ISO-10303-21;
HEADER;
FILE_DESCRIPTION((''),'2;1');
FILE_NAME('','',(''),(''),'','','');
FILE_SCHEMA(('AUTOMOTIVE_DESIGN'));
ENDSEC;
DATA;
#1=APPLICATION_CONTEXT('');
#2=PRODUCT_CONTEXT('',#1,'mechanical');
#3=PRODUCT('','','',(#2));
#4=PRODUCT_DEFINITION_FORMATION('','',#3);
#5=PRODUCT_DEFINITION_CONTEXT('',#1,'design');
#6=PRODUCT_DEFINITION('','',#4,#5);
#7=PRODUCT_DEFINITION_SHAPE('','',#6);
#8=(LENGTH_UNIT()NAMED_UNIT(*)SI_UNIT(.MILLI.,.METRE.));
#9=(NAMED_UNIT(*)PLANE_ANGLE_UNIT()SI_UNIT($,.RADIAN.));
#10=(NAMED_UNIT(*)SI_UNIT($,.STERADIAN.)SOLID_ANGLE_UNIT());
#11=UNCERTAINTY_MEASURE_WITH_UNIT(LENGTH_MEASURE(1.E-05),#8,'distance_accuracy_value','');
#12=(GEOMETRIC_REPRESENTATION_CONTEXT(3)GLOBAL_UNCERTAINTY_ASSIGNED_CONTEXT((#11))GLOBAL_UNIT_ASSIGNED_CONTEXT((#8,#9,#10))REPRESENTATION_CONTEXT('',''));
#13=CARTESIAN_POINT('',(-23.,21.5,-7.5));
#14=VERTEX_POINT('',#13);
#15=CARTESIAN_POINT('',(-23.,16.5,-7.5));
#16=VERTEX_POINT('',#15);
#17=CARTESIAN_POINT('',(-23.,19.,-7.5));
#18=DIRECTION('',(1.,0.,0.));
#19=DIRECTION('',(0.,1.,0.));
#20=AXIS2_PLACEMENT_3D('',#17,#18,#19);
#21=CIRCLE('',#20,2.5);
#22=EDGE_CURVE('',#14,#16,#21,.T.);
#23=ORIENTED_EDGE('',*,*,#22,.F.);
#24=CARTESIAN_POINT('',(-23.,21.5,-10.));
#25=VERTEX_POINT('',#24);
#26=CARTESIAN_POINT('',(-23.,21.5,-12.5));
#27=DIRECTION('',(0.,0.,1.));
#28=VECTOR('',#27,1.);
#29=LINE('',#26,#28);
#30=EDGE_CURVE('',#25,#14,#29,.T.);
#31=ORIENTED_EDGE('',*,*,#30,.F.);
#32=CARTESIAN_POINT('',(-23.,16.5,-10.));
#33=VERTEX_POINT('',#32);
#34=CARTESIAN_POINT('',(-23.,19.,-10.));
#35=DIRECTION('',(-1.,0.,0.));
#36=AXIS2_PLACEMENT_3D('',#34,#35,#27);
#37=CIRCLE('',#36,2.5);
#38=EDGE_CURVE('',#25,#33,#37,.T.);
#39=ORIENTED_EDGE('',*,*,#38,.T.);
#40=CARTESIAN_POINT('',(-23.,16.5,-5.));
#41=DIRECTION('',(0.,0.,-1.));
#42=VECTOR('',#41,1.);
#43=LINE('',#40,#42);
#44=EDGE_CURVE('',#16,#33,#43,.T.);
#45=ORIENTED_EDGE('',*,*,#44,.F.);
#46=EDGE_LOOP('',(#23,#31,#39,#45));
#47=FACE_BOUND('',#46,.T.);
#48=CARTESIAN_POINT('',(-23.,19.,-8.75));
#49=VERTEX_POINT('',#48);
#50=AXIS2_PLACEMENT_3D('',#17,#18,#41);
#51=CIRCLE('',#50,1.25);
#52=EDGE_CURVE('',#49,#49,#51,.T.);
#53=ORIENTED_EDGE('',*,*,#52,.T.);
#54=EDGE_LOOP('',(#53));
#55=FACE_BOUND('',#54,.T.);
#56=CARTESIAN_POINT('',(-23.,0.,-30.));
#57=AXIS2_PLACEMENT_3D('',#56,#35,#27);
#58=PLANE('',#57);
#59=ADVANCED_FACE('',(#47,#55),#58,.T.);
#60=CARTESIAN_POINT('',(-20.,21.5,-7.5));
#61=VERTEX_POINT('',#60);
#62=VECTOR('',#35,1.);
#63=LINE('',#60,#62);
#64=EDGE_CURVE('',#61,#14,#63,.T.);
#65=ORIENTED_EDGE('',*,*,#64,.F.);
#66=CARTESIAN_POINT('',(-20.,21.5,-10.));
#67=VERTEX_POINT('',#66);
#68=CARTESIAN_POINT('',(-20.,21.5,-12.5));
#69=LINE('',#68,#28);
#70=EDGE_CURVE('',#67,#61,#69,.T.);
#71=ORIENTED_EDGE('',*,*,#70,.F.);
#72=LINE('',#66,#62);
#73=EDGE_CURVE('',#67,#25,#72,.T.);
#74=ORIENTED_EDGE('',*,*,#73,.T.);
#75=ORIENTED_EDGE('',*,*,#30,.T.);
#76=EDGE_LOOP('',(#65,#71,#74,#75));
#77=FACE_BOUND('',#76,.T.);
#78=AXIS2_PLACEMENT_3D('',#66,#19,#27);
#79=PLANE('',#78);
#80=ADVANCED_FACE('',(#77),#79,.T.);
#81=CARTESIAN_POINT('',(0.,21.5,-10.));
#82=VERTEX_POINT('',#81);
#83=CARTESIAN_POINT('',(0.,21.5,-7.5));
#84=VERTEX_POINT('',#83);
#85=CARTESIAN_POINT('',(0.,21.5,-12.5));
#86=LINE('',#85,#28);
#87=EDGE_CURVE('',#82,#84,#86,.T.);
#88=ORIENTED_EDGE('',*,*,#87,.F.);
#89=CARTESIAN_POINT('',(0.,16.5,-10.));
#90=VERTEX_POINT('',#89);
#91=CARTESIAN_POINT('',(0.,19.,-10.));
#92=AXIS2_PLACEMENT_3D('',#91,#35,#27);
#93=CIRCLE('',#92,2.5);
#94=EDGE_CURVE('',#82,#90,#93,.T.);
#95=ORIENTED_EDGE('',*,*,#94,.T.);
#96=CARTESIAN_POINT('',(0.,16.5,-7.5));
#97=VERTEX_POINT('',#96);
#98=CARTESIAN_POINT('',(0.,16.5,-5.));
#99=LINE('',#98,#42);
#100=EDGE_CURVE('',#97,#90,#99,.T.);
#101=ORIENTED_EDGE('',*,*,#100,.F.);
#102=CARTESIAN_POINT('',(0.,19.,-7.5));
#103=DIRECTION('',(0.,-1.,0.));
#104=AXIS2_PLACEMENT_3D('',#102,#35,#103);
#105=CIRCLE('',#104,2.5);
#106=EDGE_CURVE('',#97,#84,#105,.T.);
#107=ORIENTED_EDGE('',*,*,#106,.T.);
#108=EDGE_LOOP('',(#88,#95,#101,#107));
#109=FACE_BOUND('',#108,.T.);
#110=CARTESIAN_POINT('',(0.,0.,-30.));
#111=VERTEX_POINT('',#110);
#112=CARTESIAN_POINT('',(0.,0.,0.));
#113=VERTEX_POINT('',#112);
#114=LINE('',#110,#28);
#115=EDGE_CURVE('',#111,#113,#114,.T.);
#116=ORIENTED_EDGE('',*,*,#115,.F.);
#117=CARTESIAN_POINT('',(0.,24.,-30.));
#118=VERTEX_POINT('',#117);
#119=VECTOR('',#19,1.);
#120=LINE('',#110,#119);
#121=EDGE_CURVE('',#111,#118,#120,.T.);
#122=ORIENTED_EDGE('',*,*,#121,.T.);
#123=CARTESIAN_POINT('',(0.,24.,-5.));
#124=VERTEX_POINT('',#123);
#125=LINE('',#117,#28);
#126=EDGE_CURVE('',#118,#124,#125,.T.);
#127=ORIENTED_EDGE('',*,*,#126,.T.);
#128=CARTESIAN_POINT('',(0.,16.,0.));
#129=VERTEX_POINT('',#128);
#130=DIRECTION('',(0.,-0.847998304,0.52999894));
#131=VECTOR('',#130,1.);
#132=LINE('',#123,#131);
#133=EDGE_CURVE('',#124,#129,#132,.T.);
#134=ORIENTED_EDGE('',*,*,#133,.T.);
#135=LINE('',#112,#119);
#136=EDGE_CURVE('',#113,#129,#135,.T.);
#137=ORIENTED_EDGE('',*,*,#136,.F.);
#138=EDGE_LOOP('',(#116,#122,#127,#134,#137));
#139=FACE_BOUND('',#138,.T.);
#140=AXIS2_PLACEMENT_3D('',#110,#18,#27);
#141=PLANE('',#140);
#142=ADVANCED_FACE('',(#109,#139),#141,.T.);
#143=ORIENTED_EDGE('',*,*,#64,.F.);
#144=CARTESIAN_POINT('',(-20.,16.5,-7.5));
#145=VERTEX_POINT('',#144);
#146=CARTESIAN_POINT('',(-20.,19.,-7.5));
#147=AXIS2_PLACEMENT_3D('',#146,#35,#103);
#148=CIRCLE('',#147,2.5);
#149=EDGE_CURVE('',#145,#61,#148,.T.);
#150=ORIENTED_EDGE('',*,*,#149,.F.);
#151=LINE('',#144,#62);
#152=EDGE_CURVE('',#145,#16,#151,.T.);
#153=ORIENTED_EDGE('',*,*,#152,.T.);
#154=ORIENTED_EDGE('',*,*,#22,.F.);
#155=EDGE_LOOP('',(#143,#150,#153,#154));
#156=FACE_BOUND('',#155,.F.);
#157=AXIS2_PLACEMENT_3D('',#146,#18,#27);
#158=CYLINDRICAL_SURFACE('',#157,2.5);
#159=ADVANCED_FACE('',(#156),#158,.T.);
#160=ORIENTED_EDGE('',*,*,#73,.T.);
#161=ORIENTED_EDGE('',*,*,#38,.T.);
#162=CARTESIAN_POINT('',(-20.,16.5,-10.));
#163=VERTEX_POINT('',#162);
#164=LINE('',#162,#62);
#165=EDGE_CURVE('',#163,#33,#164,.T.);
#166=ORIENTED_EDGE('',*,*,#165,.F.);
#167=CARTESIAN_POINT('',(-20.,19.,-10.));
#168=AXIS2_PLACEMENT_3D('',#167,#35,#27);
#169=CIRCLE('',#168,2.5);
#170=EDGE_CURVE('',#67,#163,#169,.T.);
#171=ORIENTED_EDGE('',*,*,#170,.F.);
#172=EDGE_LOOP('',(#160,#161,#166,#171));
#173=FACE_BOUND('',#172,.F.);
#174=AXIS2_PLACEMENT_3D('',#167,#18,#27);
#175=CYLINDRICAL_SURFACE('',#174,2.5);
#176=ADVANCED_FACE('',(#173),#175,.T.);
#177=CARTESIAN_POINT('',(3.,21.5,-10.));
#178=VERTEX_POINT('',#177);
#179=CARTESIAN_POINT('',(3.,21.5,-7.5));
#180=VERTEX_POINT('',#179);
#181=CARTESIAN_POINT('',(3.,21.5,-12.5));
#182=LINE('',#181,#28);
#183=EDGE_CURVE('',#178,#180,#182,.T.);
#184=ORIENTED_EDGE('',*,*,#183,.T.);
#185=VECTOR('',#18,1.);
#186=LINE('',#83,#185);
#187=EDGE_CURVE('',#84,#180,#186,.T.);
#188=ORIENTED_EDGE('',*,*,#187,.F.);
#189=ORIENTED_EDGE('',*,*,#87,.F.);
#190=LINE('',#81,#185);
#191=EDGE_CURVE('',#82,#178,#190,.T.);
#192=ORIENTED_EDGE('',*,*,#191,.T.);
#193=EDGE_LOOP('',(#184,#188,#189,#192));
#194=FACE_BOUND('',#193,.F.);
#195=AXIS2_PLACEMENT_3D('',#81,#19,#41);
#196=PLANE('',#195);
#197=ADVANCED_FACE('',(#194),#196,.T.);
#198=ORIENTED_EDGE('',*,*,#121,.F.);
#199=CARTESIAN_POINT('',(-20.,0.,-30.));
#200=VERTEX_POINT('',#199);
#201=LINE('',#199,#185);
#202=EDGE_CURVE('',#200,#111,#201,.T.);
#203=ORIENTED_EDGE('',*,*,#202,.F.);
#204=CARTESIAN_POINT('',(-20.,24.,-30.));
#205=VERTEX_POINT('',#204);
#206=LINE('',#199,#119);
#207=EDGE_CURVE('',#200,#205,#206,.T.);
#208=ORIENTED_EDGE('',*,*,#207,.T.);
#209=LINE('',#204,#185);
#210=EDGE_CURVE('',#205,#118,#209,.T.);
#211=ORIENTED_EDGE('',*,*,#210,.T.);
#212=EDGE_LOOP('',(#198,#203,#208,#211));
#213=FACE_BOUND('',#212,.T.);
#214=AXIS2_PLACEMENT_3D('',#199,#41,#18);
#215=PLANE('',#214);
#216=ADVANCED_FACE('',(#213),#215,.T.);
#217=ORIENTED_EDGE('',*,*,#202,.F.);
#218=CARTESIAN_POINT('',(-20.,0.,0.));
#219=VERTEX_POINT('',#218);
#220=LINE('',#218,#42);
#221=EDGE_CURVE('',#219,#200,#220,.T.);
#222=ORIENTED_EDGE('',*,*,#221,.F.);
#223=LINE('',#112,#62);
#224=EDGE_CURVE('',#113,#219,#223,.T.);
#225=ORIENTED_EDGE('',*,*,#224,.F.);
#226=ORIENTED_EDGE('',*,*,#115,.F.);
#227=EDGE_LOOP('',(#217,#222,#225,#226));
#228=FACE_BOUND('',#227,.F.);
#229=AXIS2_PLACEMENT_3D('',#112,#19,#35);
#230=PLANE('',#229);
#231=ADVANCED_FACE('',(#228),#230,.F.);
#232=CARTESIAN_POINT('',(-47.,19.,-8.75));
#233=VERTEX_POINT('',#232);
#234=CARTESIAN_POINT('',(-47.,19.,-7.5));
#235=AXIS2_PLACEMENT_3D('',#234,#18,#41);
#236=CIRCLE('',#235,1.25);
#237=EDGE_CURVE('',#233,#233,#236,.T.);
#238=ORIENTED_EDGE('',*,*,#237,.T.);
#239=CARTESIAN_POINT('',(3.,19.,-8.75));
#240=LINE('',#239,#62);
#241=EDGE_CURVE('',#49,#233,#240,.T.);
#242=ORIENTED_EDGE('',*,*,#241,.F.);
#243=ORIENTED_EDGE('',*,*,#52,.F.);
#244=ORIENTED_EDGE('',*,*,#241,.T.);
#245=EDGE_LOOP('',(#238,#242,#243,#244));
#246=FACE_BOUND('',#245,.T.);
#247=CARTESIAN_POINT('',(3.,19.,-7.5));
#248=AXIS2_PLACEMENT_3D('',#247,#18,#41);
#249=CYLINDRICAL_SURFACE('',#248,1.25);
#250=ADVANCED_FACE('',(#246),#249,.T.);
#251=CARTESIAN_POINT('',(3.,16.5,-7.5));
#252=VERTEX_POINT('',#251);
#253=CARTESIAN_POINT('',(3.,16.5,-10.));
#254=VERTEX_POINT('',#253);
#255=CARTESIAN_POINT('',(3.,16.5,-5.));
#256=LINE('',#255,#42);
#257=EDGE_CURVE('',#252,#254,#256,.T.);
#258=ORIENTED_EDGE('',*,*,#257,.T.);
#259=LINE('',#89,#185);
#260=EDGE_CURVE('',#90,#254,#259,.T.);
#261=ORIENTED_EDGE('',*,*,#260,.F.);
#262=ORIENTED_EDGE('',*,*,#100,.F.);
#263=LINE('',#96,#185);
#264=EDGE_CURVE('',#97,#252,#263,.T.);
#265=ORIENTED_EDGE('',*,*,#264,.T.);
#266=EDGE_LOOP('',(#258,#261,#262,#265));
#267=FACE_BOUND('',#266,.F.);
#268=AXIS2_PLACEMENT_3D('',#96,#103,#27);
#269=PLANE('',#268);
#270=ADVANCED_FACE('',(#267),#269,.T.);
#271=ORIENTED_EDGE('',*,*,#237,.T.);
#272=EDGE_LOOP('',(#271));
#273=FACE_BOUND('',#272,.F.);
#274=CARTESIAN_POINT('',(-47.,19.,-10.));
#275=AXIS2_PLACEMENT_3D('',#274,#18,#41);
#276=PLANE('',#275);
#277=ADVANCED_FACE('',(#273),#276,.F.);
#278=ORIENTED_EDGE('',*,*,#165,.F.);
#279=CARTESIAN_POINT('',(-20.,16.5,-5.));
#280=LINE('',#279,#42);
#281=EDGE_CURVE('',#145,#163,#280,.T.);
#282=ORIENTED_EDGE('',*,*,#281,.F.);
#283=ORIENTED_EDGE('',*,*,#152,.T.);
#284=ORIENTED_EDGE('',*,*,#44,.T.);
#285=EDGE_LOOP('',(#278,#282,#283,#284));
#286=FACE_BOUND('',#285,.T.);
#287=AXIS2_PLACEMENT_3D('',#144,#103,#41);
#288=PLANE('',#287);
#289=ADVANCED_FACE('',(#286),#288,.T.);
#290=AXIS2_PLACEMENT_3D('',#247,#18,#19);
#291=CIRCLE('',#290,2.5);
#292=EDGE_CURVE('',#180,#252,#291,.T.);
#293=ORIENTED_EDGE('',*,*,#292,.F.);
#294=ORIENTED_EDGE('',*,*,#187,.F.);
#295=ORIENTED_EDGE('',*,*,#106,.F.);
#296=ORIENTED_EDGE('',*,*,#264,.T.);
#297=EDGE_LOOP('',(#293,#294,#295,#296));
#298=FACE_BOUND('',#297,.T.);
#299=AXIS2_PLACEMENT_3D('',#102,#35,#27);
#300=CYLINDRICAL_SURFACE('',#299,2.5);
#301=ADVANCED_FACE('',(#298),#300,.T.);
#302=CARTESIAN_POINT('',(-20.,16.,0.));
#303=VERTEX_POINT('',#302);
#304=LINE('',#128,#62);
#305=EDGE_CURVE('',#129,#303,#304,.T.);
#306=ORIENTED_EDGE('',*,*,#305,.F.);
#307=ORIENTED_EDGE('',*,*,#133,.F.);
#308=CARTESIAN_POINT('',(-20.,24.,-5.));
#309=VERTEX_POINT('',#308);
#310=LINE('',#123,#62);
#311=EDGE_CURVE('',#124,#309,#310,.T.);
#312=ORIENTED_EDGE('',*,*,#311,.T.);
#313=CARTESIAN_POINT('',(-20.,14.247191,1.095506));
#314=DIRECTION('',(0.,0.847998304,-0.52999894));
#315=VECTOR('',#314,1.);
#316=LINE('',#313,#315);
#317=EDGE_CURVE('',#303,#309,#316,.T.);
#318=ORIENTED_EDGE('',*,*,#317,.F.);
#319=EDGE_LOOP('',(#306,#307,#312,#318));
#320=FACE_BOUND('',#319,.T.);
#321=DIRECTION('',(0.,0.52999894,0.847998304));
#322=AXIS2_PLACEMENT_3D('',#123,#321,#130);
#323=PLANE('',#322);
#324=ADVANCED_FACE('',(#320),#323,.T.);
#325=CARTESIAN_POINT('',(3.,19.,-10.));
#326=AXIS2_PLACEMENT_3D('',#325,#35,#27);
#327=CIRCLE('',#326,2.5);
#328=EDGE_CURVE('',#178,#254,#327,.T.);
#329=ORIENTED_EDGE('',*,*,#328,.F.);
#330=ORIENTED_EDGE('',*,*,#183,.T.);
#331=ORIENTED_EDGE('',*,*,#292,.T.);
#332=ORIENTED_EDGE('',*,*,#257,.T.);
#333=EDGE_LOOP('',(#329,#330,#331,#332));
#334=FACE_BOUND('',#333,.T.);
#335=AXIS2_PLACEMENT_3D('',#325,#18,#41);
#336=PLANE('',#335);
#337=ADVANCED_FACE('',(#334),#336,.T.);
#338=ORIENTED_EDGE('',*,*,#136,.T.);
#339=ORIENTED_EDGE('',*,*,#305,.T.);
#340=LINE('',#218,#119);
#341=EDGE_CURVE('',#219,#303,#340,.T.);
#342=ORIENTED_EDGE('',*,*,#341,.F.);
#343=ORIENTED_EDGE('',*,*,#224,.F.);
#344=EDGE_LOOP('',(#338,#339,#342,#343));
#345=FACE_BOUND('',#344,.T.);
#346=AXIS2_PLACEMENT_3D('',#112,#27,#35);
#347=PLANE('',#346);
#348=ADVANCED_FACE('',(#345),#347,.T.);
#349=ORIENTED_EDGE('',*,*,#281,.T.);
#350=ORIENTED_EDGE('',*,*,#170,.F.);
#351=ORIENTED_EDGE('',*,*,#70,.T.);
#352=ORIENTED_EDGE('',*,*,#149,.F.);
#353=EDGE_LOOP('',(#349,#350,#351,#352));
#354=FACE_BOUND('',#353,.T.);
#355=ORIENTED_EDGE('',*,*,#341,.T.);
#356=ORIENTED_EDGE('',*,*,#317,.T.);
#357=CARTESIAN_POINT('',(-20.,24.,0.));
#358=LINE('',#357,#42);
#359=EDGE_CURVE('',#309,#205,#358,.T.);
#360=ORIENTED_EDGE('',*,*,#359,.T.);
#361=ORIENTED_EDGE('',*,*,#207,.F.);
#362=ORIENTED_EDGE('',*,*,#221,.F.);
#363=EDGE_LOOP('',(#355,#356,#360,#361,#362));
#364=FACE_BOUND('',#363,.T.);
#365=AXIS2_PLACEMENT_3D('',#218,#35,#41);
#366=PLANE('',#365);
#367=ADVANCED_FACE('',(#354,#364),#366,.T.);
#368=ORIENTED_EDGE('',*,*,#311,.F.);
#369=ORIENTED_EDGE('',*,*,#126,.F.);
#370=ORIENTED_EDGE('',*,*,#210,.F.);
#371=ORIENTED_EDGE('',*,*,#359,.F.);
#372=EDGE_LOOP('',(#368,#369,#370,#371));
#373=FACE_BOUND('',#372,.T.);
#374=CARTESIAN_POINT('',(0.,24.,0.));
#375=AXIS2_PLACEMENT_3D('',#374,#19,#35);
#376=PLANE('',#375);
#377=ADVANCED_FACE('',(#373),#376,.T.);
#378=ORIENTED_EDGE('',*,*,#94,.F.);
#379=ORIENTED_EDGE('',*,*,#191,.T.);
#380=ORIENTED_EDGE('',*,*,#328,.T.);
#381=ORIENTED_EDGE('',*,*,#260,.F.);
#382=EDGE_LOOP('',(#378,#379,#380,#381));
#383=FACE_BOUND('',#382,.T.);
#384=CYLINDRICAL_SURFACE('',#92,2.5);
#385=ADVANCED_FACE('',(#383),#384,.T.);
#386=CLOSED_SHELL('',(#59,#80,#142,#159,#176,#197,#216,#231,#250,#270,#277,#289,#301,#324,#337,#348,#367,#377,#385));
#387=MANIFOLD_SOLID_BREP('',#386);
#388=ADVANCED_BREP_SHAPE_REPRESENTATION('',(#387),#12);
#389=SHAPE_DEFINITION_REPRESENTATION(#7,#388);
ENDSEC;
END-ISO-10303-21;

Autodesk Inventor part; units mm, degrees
ref_plane "YZ Plane" through (0, 0, 0) normal (1, 0, 0) x (0, 1, 0)
ref_plane "XZ Plane" through (0, 0, 0) normal (0, 1, 0) x (-1, 0, 0)
sketch "スケッチ1" plane through (0, 0, 0) normal (0, 1, 0) x (-1, 0, 0)
  line L0 (0, 0) -> (20, 0)
  line L1 (20, 0) -> (20, -30)
  line L2 (20, -30) -> (0, -30)
  line L3 (0, -30) -> (0, 0)
  dimension "d0" = 20
  dimension "d1" = 30
extrude "押し出し1" add sketch "スケッチ1" along normal blind 24
sketch "スケッチ2" plane through (0, 0, 0) normal (1, 0, 0) x (0, 0, -1)
  line L0 (0, 0) -> (0, 24) projected
  line L1 (0, 16) -> (0, 24)
  line L2 (0, 24) -> (5, 24)
  line L3 (5, 24) -> (0, 16)
  dimension "d4" = 5
  dimension "d5" = 8
extrude "押し出し2" cut sketch "スケッチ2" against normal through all
sketch "スケッチ3" plane through (-20, 0, -30) normal (-1, 0, 0) x (0, 0, 1)
  circle A0 centre (22.5, 19) radius 2.5
  line L0 (30, 0) -> (30, 16) projected
  line L1 (0, 24) -> (25, 24) projected
  circle A1 centre (20, 19) radius 2.5
  line L2 (17.5, 21.5) -> (25, 21.5)
  line L3 (25, 21.5) -> (25, 16.5) construction
  line L4 (25, 16.5) -> (17.5, 16.5)
  line L5 (17.5, 16.5) -> (17.5, 21.5) construction
  point P0 (22.5, 21.5)
  point P1 (20, 21.5)
  point P2 (20, 16.5)
  point P3 (22.5, 16.5)
  dimension "d8" = 5
  dimension "d9" = 7.5
  dimension "d10" = 5
  dimension "d11" = 5
  dimension "d12" = 7.5
extrude "押し出し3" add sketch "スケッチ3" along normal blind 3
ref_plane "作業平面1" through (-10, 0, -30) normal (-1, 0, 0) x (0, 0, 1)
mirror "ミラー1" about plane through (-10, 0, -30) normal (-1, 0, 0) of "押し出し3"
sketch "スケッチ4" plane through (3, 19, -10) normal (1, 0, 0) x (0, 0, -1)
  arc A0 (-2.5, 2.5) -> (-2.5, -2.5) centre (-2.5, 0) ccw projected
  circle A1 centre (-2.5, 0) radius 1.25
  point P0 (-10, -19)
  dimension "d16" = 2.5
extrude "押し出し4" add sketch "スケッチ4" against normal blind 50
properties part number "Motor"
